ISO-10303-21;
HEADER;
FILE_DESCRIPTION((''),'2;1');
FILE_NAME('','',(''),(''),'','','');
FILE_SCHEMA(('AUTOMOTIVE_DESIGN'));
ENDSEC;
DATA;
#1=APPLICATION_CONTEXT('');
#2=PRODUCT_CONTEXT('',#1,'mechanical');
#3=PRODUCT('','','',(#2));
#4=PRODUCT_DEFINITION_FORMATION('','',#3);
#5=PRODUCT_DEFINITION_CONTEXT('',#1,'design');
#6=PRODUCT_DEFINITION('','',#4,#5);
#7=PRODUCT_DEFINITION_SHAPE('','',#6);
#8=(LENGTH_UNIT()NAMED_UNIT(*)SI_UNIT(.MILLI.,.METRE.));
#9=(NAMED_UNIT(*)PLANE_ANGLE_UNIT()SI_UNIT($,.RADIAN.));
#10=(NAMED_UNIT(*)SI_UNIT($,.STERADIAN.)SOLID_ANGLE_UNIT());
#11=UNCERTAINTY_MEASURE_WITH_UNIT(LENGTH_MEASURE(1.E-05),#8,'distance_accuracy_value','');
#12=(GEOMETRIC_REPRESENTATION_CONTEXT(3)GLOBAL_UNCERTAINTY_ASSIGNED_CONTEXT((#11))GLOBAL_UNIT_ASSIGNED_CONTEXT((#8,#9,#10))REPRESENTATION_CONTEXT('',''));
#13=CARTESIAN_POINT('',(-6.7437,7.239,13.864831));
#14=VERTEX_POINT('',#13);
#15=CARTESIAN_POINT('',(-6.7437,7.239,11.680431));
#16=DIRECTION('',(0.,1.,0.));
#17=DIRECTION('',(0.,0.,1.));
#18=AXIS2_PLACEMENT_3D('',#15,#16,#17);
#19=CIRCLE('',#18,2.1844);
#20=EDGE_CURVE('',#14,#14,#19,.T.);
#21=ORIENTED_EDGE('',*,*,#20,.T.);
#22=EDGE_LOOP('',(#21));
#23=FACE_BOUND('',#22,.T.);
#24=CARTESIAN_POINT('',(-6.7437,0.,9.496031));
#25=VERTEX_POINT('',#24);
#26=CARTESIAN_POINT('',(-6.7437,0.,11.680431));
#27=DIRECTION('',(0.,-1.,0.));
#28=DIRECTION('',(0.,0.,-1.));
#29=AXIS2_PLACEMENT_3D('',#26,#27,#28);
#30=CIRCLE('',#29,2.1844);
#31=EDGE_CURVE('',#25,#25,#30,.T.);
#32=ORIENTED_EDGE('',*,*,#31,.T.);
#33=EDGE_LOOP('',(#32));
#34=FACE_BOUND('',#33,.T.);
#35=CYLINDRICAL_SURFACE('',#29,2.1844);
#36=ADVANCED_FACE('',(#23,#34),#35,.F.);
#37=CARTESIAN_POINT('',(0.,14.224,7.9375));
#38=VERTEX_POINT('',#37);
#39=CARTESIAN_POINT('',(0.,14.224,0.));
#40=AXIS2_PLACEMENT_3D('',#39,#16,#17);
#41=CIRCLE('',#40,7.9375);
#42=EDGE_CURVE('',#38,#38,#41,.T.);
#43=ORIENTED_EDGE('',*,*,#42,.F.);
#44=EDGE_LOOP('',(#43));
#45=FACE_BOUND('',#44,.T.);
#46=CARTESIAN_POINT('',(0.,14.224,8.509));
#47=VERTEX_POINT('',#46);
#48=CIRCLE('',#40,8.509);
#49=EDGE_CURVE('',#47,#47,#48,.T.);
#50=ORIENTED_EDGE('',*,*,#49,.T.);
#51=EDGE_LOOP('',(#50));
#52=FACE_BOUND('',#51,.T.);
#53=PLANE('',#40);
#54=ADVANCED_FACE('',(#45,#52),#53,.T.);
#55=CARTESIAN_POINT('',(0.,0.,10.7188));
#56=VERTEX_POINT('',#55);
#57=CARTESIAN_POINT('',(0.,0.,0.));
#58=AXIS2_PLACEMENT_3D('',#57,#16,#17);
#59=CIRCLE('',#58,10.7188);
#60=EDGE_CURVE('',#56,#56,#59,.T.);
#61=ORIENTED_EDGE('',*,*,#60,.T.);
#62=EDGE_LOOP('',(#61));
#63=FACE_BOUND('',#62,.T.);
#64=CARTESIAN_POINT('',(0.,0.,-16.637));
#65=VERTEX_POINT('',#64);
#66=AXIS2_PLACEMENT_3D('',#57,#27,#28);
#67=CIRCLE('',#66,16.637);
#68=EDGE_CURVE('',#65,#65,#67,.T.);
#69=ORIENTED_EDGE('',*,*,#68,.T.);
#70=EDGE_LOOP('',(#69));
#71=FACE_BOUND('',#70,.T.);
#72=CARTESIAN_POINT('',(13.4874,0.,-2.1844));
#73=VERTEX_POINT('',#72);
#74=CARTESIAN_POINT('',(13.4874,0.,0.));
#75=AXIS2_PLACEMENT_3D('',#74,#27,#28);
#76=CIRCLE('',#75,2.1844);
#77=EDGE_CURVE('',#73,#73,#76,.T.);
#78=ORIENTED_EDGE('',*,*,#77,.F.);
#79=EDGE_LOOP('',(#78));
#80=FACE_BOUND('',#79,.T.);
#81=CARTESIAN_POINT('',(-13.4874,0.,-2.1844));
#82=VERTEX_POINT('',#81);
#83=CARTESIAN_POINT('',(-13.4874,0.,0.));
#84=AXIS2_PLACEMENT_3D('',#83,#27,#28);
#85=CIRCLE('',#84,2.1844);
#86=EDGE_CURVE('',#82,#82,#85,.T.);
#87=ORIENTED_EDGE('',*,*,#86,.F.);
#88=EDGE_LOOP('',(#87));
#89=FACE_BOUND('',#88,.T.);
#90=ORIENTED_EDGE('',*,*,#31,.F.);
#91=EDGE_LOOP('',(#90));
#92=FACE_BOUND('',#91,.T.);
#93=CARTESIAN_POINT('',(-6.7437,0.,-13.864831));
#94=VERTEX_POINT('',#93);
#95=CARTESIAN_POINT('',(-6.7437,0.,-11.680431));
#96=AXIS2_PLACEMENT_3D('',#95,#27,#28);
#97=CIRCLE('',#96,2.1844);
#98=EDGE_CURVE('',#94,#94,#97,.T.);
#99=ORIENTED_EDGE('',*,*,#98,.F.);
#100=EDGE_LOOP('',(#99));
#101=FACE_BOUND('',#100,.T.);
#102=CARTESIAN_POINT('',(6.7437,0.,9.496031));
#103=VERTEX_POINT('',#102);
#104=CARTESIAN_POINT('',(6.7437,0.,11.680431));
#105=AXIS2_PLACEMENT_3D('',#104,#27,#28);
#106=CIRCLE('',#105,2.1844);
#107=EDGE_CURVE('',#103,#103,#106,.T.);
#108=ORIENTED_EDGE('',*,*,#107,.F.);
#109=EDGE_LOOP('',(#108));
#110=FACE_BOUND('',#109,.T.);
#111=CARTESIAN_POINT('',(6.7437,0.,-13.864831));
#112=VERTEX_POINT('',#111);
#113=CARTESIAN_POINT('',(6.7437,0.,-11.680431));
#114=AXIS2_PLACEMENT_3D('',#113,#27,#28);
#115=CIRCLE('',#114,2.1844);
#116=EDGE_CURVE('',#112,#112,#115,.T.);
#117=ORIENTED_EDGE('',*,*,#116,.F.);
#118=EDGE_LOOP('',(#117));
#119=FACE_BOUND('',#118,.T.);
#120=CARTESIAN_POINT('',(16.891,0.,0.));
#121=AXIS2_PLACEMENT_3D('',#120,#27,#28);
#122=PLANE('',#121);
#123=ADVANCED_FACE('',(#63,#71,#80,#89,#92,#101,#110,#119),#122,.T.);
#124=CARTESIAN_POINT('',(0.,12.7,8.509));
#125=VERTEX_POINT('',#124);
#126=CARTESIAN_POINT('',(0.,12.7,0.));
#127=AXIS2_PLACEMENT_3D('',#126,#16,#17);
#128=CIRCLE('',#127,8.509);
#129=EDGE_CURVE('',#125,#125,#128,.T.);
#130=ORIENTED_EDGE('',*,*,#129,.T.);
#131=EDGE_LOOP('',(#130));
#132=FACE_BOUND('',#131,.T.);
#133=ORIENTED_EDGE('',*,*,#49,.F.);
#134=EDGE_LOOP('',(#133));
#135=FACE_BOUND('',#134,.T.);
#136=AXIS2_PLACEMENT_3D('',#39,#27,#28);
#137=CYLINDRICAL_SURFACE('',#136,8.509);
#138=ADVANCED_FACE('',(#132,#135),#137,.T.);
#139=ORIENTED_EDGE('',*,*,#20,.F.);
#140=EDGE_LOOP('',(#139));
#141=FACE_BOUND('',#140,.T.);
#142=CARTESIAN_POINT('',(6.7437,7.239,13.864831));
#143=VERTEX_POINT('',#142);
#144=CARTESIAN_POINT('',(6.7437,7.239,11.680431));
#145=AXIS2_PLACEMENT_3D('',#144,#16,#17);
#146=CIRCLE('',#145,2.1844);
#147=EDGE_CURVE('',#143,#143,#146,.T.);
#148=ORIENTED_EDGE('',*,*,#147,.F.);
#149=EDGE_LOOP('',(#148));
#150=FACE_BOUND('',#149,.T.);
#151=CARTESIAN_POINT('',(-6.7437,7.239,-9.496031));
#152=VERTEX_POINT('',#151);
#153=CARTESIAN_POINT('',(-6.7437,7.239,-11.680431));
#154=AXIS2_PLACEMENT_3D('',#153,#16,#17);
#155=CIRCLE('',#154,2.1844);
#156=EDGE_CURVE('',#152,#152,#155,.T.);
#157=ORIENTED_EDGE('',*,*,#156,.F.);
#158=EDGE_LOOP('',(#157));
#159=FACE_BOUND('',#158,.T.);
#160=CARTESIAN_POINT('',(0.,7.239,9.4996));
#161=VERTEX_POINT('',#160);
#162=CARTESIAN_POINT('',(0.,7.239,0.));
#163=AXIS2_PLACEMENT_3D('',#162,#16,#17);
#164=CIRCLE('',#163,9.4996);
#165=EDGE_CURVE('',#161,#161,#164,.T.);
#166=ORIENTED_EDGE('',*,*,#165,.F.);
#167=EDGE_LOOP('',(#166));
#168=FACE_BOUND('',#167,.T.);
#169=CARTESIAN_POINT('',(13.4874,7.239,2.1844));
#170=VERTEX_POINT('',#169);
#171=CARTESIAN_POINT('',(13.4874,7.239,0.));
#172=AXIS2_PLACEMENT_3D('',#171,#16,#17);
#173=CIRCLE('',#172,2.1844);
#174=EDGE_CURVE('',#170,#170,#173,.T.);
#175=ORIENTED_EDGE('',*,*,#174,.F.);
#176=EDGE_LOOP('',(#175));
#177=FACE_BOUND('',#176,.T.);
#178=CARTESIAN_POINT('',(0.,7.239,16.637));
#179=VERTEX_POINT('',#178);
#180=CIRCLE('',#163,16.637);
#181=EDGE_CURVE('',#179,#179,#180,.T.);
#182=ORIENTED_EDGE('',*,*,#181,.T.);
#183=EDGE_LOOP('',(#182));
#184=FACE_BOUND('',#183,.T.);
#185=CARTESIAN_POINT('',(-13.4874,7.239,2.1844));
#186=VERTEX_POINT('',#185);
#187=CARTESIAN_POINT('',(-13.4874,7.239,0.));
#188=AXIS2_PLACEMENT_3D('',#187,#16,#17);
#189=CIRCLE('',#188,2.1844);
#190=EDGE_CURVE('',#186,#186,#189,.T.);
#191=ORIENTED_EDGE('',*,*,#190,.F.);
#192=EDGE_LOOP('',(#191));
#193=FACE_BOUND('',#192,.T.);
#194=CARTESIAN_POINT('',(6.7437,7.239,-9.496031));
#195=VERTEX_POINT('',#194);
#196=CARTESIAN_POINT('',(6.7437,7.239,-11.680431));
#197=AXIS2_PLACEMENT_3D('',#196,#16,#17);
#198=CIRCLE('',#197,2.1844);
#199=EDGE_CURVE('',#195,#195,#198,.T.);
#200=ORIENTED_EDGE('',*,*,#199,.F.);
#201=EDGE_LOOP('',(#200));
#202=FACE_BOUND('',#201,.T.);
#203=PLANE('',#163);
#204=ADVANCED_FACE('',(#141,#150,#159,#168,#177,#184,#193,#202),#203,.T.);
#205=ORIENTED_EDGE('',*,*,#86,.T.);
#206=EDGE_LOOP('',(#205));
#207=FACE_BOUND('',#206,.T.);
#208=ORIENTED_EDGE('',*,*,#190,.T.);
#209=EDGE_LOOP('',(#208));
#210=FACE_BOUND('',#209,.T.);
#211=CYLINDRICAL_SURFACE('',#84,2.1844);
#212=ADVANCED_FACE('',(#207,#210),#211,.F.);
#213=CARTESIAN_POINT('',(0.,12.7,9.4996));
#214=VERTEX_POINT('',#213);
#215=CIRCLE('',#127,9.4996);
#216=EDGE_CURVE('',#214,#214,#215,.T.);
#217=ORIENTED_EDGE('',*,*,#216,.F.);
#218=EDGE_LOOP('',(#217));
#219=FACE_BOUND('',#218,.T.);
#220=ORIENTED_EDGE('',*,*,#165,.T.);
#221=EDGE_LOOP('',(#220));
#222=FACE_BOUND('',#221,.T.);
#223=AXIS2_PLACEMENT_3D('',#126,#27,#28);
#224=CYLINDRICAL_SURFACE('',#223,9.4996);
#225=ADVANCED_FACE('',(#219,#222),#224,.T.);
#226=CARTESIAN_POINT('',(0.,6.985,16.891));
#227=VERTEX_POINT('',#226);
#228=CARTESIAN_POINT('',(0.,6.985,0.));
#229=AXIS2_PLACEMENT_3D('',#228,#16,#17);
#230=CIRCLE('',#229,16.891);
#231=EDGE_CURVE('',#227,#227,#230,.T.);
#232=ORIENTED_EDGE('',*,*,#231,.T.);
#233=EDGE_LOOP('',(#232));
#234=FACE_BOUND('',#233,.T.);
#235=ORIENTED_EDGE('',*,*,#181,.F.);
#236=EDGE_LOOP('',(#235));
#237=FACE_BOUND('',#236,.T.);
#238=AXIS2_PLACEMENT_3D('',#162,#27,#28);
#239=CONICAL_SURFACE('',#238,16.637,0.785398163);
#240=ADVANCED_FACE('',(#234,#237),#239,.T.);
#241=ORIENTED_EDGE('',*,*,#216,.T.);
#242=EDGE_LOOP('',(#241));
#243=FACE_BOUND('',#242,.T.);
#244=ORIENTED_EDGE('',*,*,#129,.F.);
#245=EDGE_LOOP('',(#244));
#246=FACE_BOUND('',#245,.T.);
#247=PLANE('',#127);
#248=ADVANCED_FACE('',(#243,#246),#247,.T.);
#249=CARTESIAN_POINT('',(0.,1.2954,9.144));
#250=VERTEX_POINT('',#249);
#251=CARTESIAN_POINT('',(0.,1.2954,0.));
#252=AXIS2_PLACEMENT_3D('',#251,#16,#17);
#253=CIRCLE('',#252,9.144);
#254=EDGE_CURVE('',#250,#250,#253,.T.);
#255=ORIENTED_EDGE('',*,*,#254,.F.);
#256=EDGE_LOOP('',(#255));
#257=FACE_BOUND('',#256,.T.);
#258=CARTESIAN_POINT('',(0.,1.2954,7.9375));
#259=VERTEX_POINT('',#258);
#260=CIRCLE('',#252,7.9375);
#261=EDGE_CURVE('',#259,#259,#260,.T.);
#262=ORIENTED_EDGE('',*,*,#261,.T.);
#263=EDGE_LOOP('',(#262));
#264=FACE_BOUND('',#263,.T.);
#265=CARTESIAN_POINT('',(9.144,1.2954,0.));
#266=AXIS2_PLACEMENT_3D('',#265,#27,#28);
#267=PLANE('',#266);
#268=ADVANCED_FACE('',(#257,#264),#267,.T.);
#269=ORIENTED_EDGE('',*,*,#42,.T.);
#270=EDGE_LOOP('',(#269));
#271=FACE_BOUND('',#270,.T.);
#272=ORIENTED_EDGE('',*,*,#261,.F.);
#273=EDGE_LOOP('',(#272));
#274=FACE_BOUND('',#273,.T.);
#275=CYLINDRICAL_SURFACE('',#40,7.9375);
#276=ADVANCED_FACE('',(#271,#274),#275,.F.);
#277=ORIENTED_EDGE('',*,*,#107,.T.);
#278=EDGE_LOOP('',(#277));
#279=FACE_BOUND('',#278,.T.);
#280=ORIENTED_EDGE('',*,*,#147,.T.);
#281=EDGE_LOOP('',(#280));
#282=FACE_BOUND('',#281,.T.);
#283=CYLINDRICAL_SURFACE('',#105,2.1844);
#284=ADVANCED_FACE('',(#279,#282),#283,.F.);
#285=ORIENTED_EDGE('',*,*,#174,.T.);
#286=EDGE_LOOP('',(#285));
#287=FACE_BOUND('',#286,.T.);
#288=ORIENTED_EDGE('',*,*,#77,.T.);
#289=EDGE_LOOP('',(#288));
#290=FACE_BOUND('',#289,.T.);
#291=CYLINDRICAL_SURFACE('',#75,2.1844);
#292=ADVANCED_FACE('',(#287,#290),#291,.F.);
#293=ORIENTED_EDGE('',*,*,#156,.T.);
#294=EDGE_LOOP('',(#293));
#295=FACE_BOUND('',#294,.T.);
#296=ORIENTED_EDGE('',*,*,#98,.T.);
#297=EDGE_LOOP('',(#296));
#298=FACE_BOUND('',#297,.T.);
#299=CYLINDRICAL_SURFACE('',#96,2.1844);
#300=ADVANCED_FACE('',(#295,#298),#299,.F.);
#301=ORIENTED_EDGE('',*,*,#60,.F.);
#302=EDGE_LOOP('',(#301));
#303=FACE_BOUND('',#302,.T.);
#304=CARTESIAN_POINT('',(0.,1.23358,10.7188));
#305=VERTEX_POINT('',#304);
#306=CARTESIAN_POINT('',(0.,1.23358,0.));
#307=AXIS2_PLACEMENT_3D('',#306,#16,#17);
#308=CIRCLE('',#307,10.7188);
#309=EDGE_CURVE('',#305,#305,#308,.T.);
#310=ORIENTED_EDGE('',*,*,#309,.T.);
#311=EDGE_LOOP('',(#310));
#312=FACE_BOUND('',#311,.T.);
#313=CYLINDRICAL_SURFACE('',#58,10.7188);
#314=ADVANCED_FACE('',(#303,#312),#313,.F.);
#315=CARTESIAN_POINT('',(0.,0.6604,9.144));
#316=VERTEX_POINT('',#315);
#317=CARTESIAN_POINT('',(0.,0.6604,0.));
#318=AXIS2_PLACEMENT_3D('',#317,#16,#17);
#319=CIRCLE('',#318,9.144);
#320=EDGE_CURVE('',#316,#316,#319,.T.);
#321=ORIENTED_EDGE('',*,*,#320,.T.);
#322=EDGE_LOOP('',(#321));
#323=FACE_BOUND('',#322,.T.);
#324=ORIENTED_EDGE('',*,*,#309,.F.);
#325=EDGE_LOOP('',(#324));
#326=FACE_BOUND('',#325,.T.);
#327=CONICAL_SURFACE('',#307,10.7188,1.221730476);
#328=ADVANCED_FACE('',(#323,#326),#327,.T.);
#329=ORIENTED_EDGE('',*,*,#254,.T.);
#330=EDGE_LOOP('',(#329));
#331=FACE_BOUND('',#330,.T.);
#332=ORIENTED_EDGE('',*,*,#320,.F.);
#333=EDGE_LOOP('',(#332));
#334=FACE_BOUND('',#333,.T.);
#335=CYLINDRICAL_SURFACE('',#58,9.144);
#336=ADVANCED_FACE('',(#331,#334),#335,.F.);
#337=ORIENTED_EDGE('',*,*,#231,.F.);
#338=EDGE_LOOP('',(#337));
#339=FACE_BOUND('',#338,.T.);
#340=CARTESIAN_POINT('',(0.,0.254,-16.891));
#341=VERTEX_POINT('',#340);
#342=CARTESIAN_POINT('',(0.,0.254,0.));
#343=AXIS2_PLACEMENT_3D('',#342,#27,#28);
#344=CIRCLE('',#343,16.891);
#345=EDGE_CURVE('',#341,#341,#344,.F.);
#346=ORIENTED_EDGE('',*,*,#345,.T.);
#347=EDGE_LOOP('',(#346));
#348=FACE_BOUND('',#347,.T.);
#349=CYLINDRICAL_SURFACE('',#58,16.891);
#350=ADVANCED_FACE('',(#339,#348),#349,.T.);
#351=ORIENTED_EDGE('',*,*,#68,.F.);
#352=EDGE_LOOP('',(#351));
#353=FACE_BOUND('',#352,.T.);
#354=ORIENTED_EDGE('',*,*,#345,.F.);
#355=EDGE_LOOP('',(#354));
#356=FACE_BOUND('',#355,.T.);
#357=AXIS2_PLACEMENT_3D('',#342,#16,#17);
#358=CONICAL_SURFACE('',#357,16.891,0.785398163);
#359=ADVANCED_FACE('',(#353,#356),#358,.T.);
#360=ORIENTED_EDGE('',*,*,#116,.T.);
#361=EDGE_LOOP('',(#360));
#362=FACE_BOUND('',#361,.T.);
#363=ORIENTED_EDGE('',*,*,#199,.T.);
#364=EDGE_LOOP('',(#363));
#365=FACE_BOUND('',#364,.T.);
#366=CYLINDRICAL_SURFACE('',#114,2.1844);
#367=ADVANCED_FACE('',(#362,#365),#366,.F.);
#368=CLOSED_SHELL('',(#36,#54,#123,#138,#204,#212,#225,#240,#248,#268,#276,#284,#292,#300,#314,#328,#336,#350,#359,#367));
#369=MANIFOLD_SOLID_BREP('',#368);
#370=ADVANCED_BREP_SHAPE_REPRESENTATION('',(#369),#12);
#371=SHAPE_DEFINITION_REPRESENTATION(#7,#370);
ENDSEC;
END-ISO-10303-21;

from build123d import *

# Parameters (mm, degrees)
SKETCH2_R                = 9.4996
BOSS_EXTRUDE1_DEPTH      = 5.461
SKETCH3_R                = 8.509
BOSS_EXTRUDE2_DEPTH      = 1.524
M13_CLEARANCE_HOLE1_D    = 15.875
M4_CLEARANCE_HOLE1_D     = 4.3688
M4_CLEARANCE_HOLE1_DEPTH = 14.224
CHAMFER1_SIZE            = 0.254


with BuildPart() as part:
    # Sketch1 → Revolve1 (revolve)
    with BuildSketch(Plane(origin=(0, 0, 0), x_dir=(-1, 0, 0), z_dir=(0, 0, -1))):
        Polygon((-9.144, 1.2954), (0, 1.2954), (0, 7.239), (-16.637, 7.239), (-16.891, 6.985), (-16.891, 0), (-10.7188, 0), (-10.7188, 1.233580325), (-9.144, 0.6604), align=None)
    revolve(axis=Axis((0, 0, 0), (0, 1, 0)))

    # Sketch2 → Boss-Extrude1 (add)
    with BuildSketch(Plane(origin=(0, 7.239, 0), x_dir=(-1, 0, 0), z_dir=(0, 1, 0))):
        Circle(SKETCH2_R)
    extrude(amount=BOSS_EXTRUDE1_DEPTH)

    # Sketch3 → Boss-Extrude2 (add)
    with BuildSketch(Plane(origin=(0, 12.7, 0), x_dir=(-1, 0, 0), z_dir=(0, 1, 0))):
        Circle(SKETCH3_R)
    extrude(amount=BOSS_EXTRUDE2_DEPTH)

    # M13 Clearance Hole1 (through all)
    with Locations(Plane(origin=(0, 14.224, 0), x_dir=(1, 0, 0), z_dir=(0, 1, 0))):
        with Locations((0, 0)):
            Hole(M13_CLEARANCE_HOLE1_D / 2)

    # M4 Clearance Hole1
    with Locations(Plane(origin=(0, 0, 0), x_dir=(-1, 0, 0), z_dir=(0, -1, 0))):
        with Locations((-13.4874, 0), (-6.7437, -11.680431031), (6.7437, -11.680431031), (13.4874, 0), (6.7437, 11.680431031), (-6.7437, 11.680431031)):
            Hole(M4_CLEARANCE_HOLE1_D / 2, depth=M4_CLEARANCE_HOLE1_DEPTH)

    # Chamfer1
    chamfer1_edges = [part.edges().sort_by_distance(p)[0] for p in [
        (-16.891, 0, 0),
    ]]
    chamfer(chamfer1_edges, length=CHAMFER1_SIZE)


solid = part.part
